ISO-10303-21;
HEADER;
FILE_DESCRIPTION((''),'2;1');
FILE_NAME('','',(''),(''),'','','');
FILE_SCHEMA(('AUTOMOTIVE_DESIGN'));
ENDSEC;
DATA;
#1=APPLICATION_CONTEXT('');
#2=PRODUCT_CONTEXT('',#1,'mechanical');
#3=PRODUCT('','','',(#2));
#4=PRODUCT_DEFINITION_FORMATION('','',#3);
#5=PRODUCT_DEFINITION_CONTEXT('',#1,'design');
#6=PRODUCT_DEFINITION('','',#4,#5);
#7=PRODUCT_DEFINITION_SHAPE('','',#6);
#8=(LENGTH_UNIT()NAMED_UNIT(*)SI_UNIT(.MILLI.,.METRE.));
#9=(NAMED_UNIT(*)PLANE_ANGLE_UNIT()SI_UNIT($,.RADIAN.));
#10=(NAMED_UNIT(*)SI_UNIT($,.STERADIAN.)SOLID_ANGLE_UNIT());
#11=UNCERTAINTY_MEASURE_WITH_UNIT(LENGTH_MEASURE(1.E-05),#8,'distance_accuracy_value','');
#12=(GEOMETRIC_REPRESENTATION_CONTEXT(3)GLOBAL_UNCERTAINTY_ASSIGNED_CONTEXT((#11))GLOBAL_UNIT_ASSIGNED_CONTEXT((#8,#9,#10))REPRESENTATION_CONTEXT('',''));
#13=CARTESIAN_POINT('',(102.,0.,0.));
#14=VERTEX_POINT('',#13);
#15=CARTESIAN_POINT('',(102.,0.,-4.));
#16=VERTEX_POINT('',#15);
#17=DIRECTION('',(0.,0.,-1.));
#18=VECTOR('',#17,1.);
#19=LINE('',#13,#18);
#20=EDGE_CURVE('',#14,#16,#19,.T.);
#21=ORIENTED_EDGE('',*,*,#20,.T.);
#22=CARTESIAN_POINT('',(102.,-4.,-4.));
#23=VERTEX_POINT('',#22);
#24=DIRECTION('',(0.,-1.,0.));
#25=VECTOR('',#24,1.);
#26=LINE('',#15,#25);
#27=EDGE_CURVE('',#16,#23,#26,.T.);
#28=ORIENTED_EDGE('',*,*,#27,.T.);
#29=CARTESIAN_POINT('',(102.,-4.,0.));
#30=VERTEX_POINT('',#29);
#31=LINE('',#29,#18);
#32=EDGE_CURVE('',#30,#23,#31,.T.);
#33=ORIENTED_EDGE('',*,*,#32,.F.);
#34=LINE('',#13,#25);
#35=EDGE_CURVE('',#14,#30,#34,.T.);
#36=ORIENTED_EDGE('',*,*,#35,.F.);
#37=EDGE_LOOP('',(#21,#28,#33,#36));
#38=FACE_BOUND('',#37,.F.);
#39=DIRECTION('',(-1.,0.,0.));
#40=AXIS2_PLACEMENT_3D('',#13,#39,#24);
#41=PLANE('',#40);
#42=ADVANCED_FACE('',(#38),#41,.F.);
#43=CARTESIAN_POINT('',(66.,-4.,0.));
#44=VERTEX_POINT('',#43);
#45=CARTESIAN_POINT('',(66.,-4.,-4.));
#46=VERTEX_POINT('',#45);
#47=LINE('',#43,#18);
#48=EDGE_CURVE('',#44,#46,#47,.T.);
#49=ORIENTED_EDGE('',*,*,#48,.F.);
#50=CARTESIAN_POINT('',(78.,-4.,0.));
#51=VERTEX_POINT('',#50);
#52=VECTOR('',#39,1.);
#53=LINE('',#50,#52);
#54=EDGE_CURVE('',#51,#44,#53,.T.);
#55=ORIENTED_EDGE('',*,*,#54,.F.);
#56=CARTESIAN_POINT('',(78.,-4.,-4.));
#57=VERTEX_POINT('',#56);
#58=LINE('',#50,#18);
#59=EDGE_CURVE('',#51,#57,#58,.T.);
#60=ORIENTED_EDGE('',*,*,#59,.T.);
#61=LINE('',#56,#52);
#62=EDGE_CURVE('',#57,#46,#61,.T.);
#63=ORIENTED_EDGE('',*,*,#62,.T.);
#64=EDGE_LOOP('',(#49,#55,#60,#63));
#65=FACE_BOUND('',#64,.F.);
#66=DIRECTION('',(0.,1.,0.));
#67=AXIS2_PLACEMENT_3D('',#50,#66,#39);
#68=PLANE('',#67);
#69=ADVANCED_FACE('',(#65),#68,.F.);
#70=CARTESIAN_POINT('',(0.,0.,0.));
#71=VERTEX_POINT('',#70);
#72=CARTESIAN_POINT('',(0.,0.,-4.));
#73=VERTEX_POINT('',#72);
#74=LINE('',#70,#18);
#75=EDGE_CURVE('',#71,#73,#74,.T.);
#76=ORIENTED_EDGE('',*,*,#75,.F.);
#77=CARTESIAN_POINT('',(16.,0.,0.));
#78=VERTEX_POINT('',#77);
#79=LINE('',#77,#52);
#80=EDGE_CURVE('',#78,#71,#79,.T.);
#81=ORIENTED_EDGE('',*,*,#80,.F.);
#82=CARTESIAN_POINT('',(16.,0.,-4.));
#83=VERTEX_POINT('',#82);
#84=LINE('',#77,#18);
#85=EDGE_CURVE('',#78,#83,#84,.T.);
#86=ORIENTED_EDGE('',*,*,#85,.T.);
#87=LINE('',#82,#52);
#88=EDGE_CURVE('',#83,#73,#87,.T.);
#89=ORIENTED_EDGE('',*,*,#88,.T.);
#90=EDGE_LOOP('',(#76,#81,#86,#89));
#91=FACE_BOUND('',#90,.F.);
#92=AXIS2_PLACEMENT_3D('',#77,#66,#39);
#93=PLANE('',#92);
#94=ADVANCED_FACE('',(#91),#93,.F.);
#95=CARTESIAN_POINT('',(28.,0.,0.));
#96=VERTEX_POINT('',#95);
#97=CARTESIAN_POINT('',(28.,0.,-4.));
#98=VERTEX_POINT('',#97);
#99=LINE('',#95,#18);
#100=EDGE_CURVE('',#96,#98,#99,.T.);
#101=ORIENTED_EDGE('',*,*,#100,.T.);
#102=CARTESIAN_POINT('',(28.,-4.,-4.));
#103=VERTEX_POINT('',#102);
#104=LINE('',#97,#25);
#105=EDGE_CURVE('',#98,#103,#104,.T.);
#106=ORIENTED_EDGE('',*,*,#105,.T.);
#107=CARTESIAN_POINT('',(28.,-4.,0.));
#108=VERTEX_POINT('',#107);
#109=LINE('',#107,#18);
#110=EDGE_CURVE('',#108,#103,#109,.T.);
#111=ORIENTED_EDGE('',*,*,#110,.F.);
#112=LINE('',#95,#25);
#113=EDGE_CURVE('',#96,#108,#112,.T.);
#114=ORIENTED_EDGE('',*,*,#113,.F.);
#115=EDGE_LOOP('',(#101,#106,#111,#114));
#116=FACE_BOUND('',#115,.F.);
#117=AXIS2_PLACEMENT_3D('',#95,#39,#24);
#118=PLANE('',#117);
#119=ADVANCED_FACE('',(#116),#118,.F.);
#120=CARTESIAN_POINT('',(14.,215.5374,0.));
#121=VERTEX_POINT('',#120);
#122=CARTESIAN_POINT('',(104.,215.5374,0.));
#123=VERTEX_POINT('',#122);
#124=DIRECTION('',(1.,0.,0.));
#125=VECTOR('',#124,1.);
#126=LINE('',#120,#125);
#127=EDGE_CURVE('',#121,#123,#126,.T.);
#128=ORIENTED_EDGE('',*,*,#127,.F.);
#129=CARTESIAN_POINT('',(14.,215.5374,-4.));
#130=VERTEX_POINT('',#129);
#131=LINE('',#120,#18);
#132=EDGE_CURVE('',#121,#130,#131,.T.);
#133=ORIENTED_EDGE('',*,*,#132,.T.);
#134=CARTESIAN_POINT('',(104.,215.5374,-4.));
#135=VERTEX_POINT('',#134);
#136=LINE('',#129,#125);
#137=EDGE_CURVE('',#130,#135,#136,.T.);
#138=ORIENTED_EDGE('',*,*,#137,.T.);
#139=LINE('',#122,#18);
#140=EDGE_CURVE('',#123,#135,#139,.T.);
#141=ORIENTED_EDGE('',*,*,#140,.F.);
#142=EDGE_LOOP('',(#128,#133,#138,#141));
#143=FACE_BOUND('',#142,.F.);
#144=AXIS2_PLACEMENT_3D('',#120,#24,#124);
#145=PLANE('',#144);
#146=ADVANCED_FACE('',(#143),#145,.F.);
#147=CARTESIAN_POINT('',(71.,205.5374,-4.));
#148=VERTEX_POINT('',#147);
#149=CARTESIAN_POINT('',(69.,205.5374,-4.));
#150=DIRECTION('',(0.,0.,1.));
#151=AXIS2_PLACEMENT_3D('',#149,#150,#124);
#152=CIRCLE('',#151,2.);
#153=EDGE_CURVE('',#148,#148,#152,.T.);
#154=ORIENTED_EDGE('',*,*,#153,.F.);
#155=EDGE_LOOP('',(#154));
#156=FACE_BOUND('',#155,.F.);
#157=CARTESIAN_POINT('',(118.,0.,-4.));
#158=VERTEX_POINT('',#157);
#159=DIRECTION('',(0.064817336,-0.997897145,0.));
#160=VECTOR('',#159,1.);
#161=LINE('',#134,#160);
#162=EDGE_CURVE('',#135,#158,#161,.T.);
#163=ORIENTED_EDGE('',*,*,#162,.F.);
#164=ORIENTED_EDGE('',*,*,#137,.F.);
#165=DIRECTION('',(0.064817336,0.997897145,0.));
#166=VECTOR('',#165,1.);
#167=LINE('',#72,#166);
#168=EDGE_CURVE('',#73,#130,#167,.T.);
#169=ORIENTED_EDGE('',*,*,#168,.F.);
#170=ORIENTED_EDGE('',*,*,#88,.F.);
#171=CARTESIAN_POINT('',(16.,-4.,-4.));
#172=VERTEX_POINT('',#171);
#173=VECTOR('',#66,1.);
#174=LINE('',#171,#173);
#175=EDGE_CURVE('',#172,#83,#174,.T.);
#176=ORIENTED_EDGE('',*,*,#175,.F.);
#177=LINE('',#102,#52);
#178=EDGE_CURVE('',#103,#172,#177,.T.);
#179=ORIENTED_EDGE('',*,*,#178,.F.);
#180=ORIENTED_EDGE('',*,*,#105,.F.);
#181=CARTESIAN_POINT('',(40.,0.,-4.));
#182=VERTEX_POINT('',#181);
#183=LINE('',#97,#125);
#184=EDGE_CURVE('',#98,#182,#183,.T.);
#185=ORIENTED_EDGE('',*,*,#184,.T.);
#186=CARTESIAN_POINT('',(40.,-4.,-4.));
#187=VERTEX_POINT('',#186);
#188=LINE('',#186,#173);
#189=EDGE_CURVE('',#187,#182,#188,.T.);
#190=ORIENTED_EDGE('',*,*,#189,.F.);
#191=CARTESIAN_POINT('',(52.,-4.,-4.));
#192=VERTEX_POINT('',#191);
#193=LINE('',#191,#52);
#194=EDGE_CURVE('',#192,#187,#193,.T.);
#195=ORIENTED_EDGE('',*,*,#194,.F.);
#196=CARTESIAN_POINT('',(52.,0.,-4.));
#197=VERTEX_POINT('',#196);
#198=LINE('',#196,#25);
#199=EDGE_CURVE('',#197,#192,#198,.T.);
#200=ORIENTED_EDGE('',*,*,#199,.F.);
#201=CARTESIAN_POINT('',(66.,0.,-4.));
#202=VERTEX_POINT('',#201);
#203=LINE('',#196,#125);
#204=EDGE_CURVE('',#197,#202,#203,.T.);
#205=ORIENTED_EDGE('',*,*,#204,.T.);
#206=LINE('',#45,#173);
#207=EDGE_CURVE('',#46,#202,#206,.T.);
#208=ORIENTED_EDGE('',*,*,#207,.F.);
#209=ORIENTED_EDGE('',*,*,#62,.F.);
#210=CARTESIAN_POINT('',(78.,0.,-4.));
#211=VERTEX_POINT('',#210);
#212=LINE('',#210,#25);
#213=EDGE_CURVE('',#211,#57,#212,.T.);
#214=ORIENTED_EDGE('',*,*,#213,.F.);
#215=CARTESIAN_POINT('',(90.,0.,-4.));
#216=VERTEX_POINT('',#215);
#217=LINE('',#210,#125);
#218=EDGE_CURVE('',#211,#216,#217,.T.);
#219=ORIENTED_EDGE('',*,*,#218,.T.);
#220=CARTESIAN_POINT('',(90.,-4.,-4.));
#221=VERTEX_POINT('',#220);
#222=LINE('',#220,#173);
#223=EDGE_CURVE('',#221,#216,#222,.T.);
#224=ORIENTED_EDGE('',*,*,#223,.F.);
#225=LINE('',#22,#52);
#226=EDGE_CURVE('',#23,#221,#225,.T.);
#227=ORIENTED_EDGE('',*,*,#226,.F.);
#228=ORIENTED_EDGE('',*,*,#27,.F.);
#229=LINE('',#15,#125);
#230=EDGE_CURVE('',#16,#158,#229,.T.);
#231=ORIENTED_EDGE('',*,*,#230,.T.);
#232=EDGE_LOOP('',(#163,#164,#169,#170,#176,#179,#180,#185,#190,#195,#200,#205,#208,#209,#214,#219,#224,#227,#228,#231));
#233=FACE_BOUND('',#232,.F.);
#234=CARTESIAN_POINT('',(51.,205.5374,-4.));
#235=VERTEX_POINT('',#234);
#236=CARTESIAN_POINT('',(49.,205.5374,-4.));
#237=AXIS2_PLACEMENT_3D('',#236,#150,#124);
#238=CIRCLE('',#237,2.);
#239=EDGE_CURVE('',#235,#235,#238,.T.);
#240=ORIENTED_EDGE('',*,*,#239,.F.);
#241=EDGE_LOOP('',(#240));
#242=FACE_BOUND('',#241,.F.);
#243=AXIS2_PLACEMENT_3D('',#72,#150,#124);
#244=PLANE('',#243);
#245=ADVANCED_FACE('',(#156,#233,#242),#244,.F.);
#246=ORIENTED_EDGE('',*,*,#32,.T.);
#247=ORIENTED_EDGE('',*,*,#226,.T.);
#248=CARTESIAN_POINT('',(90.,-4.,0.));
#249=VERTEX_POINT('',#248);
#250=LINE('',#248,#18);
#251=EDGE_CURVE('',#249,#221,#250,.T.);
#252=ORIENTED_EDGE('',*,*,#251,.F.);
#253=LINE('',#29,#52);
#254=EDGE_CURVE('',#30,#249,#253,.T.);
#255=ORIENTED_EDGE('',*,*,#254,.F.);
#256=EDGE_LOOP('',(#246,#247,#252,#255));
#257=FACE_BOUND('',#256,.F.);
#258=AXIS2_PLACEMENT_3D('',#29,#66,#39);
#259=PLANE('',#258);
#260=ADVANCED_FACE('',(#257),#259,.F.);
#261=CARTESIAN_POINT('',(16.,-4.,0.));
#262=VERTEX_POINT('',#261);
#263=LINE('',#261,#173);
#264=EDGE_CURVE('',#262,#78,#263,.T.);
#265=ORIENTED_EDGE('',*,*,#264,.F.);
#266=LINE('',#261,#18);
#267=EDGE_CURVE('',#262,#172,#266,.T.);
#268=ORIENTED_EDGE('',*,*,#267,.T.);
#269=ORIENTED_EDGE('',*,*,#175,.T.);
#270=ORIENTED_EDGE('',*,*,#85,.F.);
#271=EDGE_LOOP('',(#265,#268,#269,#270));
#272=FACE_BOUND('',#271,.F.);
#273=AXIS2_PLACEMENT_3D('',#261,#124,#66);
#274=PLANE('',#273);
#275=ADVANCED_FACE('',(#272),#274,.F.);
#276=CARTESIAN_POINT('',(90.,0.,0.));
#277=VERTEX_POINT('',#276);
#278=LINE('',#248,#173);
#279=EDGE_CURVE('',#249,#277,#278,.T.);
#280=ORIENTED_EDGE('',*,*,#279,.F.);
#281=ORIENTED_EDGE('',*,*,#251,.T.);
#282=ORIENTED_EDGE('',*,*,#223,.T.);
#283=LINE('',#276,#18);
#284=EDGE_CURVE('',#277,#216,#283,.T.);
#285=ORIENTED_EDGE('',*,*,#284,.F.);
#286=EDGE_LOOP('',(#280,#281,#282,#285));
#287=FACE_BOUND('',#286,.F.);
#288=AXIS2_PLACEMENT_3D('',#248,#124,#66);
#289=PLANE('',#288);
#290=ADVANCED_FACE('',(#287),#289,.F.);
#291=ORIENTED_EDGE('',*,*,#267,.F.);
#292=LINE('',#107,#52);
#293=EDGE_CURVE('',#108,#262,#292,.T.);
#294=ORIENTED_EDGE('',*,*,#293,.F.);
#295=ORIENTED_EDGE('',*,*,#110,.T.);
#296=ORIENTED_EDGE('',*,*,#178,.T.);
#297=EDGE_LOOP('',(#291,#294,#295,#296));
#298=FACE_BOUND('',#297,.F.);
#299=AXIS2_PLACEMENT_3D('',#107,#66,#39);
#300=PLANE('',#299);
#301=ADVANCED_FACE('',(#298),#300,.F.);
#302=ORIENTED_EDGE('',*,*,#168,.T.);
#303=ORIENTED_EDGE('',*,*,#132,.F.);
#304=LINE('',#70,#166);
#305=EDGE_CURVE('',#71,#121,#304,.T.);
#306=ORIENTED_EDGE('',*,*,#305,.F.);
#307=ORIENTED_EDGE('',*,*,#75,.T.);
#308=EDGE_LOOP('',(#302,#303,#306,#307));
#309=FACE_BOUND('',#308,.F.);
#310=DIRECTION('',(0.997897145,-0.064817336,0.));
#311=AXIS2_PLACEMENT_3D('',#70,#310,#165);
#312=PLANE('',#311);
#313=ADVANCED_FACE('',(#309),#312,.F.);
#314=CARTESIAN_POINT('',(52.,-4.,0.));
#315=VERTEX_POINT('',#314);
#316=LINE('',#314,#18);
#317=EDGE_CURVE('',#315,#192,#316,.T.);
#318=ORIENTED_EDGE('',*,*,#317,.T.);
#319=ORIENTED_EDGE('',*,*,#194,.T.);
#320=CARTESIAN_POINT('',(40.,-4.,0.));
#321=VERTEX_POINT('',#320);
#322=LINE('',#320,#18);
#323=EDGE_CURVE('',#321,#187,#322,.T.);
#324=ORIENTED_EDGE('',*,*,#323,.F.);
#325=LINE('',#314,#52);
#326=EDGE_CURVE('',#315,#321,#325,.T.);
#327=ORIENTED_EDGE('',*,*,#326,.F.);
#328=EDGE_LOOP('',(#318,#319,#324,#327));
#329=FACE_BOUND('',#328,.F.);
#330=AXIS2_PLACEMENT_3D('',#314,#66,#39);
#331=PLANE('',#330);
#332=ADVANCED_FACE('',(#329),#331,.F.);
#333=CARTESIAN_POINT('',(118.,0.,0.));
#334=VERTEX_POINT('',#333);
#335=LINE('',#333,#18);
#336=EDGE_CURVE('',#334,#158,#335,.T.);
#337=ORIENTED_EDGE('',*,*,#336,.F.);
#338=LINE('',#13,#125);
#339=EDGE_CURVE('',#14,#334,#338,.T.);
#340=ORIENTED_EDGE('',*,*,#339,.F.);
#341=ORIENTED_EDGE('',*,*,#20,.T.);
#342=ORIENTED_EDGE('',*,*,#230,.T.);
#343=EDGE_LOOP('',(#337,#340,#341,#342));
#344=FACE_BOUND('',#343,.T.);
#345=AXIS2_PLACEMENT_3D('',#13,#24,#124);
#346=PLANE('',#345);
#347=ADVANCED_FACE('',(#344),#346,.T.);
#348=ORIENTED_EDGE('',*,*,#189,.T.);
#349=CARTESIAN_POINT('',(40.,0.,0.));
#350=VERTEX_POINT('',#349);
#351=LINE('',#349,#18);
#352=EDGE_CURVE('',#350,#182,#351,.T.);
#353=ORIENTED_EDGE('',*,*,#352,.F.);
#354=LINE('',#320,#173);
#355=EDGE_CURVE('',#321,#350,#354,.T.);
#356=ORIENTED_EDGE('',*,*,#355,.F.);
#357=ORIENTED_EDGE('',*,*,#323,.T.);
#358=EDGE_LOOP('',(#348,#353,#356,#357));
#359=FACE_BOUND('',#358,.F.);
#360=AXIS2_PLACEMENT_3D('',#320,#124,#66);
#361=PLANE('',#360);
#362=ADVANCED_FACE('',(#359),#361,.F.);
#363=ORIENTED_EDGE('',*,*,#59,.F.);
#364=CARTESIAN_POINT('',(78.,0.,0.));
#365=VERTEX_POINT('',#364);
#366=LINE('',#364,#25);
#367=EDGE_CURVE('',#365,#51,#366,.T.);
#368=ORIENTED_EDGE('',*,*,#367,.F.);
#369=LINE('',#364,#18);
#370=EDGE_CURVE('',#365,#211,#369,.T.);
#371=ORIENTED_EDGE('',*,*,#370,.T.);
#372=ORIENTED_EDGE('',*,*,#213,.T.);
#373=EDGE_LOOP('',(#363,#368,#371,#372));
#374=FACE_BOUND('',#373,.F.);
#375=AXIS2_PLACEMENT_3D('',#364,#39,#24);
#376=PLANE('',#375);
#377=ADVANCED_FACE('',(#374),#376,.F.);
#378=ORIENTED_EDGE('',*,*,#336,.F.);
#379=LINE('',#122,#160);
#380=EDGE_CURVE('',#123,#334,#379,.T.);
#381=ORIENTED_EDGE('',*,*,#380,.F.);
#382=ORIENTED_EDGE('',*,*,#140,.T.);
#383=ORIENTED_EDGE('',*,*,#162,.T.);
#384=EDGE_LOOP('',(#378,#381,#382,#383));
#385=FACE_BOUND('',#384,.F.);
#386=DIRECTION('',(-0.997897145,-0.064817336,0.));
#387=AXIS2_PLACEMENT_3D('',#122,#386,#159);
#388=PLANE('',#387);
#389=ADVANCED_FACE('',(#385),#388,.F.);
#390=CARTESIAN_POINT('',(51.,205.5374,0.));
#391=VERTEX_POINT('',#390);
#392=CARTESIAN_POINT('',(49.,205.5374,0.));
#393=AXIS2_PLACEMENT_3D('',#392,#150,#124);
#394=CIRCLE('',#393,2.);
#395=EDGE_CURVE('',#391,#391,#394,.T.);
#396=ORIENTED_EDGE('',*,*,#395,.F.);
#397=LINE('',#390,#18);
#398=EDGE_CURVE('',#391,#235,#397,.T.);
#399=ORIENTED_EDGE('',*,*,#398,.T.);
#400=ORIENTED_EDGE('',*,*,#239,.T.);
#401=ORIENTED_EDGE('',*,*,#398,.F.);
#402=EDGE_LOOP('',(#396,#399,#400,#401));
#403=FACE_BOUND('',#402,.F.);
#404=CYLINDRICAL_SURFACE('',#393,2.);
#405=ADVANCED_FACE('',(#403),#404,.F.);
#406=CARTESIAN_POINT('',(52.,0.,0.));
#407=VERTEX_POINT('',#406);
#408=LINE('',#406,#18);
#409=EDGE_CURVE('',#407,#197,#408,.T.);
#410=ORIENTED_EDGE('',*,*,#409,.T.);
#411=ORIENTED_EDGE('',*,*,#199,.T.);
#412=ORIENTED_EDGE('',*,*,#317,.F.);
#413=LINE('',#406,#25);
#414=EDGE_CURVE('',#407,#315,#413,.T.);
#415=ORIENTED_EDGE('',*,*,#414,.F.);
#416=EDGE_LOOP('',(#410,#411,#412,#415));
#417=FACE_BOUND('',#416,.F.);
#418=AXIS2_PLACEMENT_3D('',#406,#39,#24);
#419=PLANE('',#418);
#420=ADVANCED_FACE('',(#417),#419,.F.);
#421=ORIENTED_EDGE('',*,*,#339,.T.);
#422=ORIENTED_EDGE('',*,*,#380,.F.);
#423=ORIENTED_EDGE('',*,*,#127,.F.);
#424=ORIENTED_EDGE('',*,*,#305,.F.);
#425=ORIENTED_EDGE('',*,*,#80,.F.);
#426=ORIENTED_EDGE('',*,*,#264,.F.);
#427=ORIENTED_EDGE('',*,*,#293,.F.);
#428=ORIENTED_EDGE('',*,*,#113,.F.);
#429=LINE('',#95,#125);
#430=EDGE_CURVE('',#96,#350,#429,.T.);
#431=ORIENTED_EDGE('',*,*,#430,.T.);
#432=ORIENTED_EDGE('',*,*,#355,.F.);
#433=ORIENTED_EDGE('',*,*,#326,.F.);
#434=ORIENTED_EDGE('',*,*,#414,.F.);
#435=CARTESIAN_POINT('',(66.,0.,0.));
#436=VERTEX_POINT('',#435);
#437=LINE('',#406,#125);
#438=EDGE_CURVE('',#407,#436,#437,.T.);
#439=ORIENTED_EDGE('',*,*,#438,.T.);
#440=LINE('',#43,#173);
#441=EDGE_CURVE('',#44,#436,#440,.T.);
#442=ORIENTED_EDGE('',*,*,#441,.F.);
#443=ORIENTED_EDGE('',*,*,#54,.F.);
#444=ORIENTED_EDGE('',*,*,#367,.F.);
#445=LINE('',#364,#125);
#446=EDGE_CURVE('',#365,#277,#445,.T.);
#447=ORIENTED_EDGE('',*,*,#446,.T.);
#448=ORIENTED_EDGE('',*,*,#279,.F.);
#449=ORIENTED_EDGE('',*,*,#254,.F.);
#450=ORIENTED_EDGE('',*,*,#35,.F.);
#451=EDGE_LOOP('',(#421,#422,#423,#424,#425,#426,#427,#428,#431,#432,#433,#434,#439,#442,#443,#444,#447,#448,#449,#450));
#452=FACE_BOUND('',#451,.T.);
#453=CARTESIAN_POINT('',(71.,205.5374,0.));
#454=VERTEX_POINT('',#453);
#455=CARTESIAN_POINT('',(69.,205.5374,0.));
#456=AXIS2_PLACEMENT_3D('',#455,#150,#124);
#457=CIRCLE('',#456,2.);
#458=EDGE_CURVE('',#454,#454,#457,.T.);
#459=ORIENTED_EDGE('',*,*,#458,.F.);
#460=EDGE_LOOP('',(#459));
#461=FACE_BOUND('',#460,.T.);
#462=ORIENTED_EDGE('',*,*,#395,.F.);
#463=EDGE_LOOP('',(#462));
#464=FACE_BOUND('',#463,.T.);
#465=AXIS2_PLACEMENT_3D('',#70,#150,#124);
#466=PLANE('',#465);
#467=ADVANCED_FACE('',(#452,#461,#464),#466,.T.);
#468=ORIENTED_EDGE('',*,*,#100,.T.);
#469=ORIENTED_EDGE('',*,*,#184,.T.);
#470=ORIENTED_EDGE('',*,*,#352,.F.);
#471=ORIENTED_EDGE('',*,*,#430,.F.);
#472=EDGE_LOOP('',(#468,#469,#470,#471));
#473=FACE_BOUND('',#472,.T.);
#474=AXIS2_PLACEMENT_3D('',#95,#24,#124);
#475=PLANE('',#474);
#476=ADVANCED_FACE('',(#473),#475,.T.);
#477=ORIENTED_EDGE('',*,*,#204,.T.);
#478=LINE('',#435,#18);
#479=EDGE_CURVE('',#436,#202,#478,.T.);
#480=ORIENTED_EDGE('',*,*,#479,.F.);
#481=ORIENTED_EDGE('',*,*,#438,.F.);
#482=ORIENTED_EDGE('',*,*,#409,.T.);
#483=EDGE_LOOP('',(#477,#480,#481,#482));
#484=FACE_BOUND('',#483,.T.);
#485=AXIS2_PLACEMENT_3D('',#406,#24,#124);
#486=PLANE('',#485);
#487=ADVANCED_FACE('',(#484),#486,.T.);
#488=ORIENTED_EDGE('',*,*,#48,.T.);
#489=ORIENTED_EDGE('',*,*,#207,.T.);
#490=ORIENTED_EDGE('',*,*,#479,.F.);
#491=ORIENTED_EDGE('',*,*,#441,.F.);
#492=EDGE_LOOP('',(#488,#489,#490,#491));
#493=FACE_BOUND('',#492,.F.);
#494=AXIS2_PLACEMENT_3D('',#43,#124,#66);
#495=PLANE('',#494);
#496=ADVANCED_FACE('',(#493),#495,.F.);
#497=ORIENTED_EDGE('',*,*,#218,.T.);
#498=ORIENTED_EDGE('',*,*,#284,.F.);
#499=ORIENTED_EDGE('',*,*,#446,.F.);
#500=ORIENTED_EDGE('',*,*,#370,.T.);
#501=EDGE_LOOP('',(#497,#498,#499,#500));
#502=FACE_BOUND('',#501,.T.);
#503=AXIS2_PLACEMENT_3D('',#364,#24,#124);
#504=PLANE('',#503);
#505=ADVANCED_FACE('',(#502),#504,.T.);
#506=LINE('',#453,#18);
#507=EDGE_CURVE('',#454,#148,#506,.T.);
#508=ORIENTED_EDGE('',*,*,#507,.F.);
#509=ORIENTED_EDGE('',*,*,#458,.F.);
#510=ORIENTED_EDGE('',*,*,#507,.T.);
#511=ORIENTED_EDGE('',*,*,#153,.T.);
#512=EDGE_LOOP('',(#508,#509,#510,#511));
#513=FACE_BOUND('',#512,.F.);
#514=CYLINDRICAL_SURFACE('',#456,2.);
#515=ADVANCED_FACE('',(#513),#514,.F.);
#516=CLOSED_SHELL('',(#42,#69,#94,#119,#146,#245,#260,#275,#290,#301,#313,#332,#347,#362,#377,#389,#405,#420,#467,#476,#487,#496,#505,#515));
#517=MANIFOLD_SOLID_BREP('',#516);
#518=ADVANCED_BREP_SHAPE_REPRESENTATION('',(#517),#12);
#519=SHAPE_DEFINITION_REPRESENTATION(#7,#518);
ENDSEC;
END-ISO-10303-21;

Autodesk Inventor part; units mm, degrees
ref_plane "YZ Plane" through (0, 0, 0) normal (1, 0, 0) x (0, 1, 0)
ref_plane "XZ Plane" through (0, 0, 0) normal (0, 1, 0) x (-1, 0, 0)
ref_plane "XY Plane" through (0, 0, 0) normal (0, 0, 1) x (1, 0, 0)
sketch "Sketch1" plane through (0, 0, 0) normal (0, 0, 1) x (1, 0, 0)
  line L0 (0, 0) -> (14, 215.5374)
  line L1 (14, 215.5374) -> (104, 215.5374)
  line L2 (104, 215.5374) -> (118, 0)
  line L3 (16, 0) -> (28, 0)
  line L4 (28, 0) -> (28, -4)
  line L5 (28, -4) -> (16, -4)
  line L6 (16, -4) -> (16, 0)
  line L7 (66, 0) -> (78, 0)
  line L8 (78, 0) -> (78, -4)
  line L9 (78, -4) -> (66, -4)
  line L10 (66, -4) -> (66, 0)
  line L11 (40, 0) -> (52, 0)
  line L12 (52, 0) -> (52, -4)
  line L13 (52, -4) -> (40, -4)
  line L14 (40, -4) -> (40, 0)
  line L15 (90, 0) -> (102, 0)
  line L16 (102, 0) -> (102, -4)
  line L17 (102, -4) -> (90, -4)
  line L18 (90, -4) -> (90, 0)
  line L19 (78, 0) -> (90, 0)
  line L20 (28, 0) -> (40, 0)
  line L21 (102, 0) -> (118, 0)
  line L22 (16, 0) -> (0, 0)
  line L23 (52, 0) -> (66, 0)
  line L24 (102, -4) -> (118.2598, -4)
  line L25 (118.2598, -4) -> (118, 0)
  dimension "d229" = 90
  dimension "d232" = 16
  dimension "d233" = 12
  dimension "d234" = 12
  dimension "d235" = 4
  dimension "d239" = 14
  dimension "d241" = 220
extrude "Extrusion1" add sketch "Sketch1" against normal blind 4 contours L0 L1 L2 L21 L15 L19 L7 L23 L11 L20 L3 L22 | L3 L4 L5 L6 | L11 L12 L13 L14 | L16 L17 L18 L15 | L7 L8 L9 L10
sketch "Sketch2" plane through (0, 0, 0) normal (0, 0, 1) x (1, 0, 0)
  circle A0 centre (49, 205.5374) radius 2
  circle A1 centre (69, 205.5374) radius 2
  line L0 (104, 215.5374) -> (14, 215.5374) projected
  line L1 (14, 215.5374) -> (104, 215.5374) projected
  line L2 (59, 215.5374) -> (59, 0)
  line L3 (52, 0) -> (66, 0) projected
  point P0 (0, 0)
  dimension "d242" = 4
  dimension "d244" = 10
  dimension "d245" = 20
extrude "Extrusion2" cut sketch "Sketch2" against normal blind 4
properties part number "Langbektang houder"
